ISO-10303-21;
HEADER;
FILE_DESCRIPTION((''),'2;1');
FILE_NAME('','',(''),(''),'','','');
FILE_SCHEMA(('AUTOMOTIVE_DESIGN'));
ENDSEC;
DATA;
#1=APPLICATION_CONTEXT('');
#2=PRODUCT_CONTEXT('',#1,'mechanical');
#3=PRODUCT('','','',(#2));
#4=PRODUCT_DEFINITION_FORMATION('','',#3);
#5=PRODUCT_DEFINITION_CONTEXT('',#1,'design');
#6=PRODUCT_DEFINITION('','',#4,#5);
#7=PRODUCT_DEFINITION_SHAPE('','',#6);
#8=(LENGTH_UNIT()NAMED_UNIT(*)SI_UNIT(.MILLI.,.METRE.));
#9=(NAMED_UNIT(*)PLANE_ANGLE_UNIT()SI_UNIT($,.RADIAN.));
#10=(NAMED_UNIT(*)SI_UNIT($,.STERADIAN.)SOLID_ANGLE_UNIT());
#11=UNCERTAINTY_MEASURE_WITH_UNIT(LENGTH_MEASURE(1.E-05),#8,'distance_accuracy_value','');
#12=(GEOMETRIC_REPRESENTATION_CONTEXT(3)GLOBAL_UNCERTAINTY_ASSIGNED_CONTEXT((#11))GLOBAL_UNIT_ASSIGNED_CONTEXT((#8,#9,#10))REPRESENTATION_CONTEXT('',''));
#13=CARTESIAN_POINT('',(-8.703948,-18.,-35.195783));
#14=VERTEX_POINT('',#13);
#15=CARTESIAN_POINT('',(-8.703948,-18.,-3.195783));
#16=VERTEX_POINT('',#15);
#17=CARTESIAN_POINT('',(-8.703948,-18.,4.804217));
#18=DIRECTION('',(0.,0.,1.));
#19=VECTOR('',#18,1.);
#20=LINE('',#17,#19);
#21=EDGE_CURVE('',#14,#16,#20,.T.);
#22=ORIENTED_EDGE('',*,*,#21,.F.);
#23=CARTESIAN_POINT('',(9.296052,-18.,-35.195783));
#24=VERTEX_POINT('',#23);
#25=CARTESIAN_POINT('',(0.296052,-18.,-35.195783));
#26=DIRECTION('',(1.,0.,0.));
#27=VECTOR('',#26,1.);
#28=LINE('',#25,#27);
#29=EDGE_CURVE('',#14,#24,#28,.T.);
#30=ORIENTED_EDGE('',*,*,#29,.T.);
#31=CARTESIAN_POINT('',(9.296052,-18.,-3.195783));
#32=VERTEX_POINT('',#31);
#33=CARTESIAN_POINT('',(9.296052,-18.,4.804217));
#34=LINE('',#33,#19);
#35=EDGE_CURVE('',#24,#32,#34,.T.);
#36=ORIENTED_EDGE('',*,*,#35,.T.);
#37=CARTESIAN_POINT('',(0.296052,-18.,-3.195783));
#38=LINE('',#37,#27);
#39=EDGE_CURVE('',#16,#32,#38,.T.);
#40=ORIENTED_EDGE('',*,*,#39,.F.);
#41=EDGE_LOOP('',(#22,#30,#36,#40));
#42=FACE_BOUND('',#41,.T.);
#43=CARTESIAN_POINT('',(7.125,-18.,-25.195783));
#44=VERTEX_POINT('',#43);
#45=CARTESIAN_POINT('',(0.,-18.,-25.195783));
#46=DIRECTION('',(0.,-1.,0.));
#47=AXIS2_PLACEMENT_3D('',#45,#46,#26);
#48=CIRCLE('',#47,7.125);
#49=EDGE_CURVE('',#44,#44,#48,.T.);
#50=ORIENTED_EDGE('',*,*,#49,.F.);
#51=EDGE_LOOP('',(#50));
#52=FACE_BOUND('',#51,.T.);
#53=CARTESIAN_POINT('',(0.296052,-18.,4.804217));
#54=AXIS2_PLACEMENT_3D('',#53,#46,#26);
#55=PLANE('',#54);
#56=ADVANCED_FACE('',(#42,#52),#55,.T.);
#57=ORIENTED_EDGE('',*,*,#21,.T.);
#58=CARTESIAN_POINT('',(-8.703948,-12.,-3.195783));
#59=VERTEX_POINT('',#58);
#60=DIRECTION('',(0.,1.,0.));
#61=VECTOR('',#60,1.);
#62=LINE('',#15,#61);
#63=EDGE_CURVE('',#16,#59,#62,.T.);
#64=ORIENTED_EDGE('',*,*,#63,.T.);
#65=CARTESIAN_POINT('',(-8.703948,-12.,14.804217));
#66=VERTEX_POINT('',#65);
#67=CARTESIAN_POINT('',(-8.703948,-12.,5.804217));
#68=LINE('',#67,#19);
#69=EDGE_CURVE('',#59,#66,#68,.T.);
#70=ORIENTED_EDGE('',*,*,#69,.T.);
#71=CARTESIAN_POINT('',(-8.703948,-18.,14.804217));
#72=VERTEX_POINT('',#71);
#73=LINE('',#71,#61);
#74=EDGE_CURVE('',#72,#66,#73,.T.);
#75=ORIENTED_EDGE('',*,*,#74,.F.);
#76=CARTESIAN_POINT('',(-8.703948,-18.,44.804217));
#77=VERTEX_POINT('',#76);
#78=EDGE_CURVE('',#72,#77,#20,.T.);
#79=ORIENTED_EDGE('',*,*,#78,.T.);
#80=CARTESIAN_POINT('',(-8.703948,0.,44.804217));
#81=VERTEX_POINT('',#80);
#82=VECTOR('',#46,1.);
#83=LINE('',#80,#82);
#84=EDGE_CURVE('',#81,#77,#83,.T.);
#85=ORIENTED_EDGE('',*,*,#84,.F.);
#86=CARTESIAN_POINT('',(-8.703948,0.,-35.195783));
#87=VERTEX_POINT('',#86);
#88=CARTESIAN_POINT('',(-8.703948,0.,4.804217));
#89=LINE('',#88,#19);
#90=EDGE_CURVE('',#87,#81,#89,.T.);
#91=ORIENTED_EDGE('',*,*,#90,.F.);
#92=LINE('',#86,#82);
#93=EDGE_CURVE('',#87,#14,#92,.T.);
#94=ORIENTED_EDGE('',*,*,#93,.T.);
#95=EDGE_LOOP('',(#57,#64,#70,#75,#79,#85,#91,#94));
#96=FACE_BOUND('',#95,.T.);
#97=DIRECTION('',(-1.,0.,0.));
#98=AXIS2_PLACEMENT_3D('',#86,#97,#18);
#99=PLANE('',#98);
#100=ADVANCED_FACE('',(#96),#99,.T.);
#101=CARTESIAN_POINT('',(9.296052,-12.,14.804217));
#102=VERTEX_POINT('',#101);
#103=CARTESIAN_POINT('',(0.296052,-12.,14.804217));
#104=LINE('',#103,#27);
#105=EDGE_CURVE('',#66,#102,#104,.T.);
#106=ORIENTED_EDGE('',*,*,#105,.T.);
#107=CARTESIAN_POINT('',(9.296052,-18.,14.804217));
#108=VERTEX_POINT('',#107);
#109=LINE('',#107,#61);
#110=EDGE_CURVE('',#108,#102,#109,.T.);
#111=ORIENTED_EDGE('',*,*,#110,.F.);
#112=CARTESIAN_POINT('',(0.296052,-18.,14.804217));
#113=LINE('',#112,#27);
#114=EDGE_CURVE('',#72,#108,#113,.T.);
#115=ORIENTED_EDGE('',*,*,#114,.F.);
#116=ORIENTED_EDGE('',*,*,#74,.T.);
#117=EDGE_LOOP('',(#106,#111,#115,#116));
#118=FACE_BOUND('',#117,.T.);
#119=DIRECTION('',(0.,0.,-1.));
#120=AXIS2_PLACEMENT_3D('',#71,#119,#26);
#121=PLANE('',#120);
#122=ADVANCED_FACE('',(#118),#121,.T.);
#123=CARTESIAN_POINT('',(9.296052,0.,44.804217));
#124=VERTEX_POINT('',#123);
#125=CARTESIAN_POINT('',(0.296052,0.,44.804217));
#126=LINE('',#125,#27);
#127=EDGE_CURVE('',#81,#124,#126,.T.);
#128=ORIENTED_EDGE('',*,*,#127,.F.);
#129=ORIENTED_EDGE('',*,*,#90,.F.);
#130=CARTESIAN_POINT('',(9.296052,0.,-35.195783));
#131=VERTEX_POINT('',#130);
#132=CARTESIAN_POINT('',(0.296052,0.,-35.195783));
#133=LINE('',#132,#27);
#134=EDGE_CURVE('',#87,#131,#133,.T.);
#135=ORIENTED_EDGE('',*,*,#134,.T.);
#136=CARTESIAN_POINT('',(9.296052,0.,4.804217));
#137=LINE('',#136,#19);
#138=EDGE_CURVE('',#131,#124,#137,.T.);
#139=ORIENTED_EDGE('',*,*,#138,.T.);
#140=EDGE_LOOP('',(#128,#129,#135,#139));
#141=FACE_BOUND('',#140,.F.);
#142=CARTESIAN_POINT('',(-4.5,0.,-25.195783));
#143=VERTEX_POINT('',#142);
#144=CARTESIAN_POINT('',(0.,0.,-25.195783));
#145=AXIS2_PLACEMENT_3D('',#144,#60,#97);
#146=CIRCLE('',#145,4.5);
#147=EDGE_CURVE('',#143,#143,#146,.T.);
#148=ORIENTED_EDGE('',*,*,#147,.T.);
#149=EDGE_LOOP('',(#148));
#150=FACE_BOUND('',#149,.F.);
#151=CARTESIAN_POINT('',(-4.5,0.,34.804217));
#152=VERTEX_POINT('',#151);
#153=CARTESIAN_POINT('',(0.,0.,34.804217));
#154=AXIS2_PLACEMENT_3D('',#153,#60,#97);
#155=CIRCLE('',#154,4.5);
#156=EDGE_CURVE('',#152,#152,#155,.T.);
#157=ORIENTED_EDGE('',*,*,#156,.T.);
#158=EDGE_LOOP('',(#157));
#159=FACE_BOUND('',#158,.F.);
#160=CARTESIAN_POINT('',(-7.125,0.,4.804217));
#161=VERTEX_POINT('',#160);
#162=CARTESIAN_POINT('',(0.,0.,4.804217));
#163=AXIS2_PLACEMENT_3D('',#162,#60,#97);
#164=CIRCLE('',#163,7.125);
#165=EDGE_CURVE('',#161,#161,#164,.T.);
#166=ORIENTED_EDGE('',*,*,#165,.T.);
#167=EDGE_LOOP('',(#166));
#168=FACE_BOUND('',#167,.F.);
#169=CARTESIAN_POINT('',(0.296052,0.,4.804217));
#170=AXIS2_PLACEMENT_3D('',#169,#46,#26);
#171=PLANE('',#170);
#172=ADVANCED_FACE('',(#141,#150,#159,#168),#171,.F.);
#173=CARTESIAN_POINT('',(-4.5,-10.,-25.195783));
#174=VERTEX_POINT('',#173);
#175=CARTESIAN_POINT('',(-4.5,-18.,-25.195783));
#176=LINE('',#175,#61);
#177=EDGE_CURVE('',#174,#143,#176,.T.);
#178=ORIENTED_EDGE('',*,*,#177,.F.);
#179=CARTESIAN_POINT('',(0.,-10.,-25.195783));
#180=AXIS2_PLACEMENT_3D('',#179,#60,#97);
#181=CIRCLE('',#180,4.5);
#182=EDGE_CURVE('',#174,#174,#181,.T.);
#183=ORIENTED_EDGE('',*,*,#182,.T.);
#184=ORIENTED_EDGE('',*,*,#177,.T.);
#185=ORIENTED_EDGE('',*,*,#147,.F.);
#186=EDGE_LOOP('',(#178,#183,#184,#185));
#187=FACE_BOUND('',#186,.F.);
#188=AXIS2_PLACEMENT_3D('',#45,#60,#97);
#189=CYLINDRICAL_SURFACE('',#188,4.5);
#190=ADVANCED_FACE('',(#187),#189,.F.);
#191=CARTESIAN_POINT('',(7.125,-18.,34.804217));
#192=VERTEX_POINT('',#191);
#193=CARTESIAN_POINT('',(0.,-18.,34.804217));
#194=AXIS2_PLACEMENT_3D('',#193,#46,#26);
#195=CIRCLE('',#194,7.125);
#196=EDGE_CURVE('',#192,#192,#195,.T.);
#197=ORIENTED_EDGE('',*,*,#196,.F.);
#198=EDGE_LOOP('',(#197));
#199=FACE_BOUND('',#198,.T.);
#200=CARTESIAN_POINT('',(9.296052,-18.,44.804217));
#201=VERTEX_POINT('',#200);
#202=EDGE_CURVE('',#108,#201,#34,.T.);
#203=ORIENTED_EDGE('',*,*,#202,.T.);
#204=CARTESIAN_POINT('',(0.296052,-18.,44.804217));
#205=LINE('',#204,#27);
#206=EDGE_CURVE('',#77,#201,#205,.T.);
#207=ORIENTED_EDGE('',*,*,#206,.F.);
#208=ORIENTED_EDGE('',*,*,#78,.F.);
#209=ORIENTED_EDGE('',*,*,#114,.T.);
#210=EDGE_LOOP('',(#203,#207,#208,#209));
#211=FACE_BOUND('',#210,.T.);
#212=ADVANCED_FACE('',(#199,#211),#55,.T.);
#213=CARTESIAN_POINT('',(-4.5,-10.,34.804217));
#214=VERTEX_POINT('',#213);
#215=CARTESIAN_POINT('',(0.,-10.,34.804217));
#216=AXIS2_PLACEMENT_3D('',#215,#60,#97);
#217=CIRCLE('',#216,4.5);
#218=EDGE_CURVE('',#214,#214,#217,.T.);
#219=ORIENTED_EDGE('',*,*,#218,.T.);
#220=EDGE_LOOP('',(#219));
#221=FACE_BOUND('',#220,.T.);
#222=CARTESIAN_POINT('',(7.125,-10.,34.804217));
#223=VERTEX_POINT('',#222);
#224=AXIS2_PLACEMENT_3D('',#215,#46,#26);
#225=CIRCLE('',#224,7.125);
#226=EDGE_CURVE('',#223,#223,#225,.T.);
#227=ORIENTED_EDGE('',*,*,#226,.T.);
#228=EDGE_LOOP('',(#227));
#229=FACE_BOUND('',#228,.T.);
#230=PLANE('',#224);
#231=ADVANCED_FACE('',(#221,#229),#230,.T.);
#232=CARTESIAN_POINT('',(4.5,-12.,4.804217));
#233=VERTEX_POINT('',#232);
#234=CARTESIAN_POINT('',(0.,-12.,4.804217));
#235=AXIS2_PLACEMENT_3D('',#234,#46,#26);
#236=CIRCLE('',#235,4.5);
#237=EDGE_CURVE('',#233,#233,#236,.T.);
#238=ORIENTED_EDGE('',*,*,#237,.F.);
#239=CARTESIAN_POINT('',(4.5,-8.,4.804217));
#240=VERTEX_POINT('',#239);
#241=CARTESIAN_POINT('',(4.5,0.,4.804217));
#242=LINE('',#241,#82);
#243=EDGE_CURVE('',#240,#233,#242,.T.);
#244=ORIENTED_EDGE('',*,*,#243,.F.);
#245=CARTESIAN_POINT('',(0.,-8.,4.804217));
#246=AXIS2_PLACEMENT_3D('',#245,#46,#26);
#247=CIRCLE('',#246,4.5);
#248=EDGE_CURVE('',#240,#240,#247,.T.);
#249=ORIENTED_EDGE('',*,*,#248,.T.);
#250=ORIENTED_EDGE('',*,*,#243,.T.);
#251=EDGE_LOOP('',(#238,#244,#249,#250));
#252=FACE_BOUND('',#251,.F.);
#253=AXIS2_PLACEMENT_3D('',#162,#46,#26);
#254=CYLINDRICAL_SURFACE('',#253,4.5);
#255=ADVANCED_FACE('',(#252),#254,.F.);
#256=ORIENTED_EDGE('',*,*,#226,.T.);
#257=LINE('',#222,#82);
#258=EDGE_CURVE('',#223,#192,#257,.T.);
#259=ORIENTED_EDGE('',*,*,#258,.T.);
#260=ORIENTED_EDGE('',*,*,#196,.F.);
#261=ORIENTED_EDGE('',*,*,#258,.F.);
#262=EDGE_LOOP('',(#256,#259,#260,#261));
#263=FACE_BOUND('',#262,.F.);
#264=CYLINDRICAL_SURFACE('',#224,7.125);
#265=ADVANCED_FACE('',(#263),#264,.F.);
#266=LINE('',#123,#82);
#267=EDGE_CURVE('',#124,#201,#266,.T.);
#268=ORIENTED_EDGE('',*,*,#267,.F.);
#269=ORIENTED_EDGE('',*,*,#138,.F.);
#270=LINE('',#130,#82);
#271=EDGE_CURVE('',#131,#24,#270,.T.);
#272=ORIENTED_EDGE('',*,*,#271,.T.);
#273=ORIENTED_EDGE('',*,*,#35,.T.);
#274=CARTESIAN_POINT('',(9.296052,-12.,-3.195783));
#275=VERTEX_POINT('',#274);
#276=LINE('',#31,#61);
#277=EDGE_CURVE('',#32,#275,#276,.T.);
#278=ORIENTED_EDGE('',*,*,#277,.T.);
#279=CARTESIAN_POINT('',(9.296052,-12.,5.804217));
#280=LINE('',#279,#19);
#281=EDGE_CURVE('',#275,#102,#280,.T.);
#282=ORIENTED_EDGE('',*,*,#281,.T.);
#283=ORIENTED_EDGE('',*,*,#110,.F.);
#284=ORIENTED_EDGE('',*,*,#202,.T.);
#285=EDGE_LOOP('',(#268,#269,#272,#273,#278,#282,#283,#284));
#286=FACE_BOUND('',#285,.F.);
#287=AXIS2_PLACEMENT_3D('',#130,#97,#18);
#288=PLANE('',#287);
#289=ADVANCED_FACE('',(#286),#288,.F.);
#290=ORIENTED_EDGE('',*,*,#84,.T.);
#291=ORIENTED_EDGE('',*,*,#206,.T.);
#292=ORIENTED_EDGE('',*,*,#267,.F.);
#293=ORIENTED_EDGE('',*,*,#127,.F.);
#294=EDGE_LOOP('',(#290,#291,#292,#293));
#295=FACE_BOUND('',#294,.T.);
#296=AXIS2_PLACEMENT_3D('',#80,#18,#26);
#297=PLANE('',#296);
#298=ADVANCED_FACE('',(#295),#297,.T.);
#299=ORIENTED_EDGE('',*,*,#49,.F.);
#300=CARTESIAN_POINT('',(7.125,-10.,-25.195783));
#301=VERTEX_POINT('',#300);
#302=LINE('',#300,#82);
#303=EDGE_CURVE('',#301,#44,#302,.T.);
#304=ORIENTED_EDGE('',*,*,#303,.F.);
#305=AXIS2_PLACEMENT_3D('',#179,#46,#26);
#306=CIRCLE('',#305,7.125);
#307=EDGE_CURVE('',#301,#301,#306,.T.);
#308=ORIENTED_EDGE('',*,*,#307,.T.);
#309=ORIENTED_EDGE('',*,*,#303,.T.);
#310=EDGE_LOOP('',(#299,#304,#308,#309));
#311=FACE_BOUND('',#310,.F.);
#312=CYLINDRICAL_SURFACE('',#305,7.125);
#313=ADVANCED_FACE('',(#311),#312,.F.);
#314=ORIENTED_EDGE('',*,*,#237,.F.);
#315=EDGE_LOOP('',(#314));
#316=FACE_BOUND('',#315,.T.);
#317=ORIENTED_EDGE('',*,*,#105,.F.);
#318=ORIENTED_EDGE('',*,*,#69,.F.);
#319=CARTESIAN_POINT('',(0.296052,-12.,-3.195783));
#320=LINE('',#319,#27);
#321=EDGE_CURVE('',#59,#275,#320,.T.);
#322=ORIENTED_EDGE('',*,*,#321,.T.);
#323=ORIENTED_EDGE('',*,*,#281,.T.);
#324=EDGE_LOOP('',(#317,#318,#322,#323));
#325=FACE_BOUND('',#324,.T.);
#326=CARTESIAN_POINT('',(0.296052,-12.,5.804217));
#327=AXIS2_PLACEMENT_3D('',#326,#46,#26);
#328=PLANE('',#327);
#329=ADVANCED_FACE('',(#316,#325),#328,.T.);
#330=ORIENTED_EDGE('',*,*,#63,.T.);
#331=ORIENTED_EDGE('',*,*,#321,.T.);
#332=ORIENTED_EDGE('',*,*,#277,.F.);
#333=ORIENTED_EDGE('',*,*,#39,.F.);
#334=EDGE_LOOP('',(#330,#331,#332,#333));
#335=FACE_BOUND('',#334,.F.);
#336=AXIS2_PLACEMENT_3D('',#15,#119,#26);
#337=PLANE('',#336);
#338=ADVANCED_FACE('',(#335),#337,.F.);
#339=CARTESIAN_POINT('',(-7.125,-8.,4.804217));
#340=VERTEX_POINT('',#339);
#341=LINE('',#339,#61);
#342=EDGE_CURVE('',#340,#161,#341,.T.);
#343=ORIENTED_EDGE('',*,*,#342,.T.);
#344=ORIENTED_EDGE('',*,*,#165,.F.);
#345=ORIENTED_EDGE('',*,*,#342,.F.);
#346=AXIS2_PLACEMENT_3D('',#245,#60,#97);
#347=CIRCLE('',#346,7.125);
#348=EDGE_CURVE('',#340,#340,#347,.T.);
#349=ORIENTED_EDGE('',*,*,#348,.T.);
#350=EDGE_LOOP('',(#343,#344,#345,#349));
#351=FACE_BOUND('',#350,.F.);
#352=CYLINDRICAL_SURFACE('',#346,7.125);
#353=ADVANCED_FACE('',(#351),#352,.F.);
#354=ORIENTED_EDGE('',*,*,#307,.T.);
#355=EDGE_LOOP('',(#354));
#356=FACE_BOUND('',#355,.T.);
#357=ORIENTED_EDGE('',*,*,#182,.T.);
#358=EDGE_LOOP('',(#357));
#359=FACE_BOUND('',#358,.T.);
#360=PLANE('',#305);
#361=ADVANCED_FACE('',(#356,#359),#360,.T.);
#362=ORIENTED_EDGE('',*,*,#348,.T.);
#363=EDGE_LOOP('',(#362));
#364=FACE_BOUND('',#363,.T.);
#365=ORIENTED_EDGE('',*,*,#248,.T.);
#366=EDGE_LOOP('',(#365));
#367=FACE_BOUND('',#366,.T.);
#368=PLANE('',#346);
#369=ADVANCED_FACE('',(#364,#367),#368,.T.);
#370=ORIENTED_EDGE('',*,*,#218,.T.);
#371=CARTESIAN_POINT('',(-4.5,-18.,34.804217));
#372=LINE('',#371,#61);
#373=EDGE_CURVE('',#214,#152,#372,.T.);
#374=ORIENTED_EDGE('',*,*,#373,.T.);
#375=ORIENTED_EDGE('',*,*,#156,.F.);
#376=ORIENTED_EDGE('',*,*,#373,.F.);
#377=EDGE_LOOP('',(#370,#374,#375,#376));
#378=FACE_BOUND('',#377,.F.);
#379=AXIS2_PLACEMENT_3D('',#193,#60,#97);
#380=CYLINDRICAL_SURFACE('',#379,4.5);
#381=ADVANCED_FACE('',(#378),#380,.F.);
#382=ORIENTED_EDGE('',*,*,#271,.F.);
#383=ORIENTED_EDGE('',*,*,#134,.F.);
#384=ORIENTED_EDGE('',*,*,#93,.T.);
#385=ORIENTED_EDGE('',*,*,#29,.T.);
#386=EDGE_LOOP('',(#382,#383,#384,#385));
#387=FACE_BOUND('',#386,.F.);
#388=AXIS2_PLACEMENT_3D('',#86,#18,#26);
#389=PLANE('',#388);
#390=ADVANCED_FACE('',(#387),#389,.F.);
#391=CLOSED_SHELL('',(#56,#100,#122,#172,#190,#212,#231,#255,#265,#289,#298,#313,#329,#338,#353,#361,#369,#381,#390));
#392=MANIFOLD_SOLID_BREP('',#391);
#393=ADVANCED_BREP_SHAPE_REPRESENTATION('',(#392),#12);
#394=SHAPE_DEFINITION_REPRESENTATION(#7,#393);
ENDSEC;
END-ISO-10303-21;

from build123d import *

# Parameters (mm, degrees)
F0_W           = 18
F0_H           = 80
F1_DEPTH       = 18
F3_D           = 9
F3_DEPTH       = 18.75
F3_CBORE_D     = 14.25
F3_CBORE_DEPTH = 8
F3_TIP         = 2.7038727856
F4_W           = 18
F4_H           = 18
F5_DEPTH       = 6
F7_D           = 9
F7_DEPTH       = 18.75
F7_CBORE_D     = 14.25
F7_CBORE_DEPTH = 8
F7_TIP         = 2.7038727856


with BuildPart() as f1:
    # F0 (on Front) → F1 (new body)
    with BuildSketch(Plane.XZ):
        with Locations((0.2960520796, 4.8042173386)):
            Rectangle(F0_W, F0_H)
    extrude(amount=F1_DEPTH)

    # F3
    with Locations(Plane.XZ.offset(18)):
        with Locations((0, 34.8042173386), (0, -25.1957826614)):
            CounterBoreHole(F3_D / 2, F3_CBORE_D / 2, F3_CBORE_DEPTH, depth=F3_DEPTH)
            with Locations((0, 0, -(F3_DEPTH + F3_TIP / 2))):  # 118° drill point
                Cone(0, F3_D / 2, F3_TIP, mode=Mode.SUBTRACT)

    # F4 (on face) → F5 (cut)
    with BuildSketch(Plane.XZ.offset(18)):
        with Locations((0.2960520796, 5.8042173386)):
            Rectangle(F4_W, F4_H)
    extrude(amount=-F5_DEPTH, mode=Mode.SUBTRACT)

    # F7
    with Locations(Plane(origin=(0, 0, 0), x_dir=(-1, 0, 0), z_dir=(0, 1, 0))):
        with Locations((0, 4.8042173386)):
            CounterBoreHole(F7_D / 2, F7_CBORE_D / 2, F7_CBORE_DEPTH, depth=F7_DEPTH)
            with Locations((0, 0, -(F7_DEPTH + F7_TIP / 2))):  # 118° drill point
                Cone(0, F7_D / 2, F7_TIP, mode=Mode.SUBTRACT)


solid = f1.part
